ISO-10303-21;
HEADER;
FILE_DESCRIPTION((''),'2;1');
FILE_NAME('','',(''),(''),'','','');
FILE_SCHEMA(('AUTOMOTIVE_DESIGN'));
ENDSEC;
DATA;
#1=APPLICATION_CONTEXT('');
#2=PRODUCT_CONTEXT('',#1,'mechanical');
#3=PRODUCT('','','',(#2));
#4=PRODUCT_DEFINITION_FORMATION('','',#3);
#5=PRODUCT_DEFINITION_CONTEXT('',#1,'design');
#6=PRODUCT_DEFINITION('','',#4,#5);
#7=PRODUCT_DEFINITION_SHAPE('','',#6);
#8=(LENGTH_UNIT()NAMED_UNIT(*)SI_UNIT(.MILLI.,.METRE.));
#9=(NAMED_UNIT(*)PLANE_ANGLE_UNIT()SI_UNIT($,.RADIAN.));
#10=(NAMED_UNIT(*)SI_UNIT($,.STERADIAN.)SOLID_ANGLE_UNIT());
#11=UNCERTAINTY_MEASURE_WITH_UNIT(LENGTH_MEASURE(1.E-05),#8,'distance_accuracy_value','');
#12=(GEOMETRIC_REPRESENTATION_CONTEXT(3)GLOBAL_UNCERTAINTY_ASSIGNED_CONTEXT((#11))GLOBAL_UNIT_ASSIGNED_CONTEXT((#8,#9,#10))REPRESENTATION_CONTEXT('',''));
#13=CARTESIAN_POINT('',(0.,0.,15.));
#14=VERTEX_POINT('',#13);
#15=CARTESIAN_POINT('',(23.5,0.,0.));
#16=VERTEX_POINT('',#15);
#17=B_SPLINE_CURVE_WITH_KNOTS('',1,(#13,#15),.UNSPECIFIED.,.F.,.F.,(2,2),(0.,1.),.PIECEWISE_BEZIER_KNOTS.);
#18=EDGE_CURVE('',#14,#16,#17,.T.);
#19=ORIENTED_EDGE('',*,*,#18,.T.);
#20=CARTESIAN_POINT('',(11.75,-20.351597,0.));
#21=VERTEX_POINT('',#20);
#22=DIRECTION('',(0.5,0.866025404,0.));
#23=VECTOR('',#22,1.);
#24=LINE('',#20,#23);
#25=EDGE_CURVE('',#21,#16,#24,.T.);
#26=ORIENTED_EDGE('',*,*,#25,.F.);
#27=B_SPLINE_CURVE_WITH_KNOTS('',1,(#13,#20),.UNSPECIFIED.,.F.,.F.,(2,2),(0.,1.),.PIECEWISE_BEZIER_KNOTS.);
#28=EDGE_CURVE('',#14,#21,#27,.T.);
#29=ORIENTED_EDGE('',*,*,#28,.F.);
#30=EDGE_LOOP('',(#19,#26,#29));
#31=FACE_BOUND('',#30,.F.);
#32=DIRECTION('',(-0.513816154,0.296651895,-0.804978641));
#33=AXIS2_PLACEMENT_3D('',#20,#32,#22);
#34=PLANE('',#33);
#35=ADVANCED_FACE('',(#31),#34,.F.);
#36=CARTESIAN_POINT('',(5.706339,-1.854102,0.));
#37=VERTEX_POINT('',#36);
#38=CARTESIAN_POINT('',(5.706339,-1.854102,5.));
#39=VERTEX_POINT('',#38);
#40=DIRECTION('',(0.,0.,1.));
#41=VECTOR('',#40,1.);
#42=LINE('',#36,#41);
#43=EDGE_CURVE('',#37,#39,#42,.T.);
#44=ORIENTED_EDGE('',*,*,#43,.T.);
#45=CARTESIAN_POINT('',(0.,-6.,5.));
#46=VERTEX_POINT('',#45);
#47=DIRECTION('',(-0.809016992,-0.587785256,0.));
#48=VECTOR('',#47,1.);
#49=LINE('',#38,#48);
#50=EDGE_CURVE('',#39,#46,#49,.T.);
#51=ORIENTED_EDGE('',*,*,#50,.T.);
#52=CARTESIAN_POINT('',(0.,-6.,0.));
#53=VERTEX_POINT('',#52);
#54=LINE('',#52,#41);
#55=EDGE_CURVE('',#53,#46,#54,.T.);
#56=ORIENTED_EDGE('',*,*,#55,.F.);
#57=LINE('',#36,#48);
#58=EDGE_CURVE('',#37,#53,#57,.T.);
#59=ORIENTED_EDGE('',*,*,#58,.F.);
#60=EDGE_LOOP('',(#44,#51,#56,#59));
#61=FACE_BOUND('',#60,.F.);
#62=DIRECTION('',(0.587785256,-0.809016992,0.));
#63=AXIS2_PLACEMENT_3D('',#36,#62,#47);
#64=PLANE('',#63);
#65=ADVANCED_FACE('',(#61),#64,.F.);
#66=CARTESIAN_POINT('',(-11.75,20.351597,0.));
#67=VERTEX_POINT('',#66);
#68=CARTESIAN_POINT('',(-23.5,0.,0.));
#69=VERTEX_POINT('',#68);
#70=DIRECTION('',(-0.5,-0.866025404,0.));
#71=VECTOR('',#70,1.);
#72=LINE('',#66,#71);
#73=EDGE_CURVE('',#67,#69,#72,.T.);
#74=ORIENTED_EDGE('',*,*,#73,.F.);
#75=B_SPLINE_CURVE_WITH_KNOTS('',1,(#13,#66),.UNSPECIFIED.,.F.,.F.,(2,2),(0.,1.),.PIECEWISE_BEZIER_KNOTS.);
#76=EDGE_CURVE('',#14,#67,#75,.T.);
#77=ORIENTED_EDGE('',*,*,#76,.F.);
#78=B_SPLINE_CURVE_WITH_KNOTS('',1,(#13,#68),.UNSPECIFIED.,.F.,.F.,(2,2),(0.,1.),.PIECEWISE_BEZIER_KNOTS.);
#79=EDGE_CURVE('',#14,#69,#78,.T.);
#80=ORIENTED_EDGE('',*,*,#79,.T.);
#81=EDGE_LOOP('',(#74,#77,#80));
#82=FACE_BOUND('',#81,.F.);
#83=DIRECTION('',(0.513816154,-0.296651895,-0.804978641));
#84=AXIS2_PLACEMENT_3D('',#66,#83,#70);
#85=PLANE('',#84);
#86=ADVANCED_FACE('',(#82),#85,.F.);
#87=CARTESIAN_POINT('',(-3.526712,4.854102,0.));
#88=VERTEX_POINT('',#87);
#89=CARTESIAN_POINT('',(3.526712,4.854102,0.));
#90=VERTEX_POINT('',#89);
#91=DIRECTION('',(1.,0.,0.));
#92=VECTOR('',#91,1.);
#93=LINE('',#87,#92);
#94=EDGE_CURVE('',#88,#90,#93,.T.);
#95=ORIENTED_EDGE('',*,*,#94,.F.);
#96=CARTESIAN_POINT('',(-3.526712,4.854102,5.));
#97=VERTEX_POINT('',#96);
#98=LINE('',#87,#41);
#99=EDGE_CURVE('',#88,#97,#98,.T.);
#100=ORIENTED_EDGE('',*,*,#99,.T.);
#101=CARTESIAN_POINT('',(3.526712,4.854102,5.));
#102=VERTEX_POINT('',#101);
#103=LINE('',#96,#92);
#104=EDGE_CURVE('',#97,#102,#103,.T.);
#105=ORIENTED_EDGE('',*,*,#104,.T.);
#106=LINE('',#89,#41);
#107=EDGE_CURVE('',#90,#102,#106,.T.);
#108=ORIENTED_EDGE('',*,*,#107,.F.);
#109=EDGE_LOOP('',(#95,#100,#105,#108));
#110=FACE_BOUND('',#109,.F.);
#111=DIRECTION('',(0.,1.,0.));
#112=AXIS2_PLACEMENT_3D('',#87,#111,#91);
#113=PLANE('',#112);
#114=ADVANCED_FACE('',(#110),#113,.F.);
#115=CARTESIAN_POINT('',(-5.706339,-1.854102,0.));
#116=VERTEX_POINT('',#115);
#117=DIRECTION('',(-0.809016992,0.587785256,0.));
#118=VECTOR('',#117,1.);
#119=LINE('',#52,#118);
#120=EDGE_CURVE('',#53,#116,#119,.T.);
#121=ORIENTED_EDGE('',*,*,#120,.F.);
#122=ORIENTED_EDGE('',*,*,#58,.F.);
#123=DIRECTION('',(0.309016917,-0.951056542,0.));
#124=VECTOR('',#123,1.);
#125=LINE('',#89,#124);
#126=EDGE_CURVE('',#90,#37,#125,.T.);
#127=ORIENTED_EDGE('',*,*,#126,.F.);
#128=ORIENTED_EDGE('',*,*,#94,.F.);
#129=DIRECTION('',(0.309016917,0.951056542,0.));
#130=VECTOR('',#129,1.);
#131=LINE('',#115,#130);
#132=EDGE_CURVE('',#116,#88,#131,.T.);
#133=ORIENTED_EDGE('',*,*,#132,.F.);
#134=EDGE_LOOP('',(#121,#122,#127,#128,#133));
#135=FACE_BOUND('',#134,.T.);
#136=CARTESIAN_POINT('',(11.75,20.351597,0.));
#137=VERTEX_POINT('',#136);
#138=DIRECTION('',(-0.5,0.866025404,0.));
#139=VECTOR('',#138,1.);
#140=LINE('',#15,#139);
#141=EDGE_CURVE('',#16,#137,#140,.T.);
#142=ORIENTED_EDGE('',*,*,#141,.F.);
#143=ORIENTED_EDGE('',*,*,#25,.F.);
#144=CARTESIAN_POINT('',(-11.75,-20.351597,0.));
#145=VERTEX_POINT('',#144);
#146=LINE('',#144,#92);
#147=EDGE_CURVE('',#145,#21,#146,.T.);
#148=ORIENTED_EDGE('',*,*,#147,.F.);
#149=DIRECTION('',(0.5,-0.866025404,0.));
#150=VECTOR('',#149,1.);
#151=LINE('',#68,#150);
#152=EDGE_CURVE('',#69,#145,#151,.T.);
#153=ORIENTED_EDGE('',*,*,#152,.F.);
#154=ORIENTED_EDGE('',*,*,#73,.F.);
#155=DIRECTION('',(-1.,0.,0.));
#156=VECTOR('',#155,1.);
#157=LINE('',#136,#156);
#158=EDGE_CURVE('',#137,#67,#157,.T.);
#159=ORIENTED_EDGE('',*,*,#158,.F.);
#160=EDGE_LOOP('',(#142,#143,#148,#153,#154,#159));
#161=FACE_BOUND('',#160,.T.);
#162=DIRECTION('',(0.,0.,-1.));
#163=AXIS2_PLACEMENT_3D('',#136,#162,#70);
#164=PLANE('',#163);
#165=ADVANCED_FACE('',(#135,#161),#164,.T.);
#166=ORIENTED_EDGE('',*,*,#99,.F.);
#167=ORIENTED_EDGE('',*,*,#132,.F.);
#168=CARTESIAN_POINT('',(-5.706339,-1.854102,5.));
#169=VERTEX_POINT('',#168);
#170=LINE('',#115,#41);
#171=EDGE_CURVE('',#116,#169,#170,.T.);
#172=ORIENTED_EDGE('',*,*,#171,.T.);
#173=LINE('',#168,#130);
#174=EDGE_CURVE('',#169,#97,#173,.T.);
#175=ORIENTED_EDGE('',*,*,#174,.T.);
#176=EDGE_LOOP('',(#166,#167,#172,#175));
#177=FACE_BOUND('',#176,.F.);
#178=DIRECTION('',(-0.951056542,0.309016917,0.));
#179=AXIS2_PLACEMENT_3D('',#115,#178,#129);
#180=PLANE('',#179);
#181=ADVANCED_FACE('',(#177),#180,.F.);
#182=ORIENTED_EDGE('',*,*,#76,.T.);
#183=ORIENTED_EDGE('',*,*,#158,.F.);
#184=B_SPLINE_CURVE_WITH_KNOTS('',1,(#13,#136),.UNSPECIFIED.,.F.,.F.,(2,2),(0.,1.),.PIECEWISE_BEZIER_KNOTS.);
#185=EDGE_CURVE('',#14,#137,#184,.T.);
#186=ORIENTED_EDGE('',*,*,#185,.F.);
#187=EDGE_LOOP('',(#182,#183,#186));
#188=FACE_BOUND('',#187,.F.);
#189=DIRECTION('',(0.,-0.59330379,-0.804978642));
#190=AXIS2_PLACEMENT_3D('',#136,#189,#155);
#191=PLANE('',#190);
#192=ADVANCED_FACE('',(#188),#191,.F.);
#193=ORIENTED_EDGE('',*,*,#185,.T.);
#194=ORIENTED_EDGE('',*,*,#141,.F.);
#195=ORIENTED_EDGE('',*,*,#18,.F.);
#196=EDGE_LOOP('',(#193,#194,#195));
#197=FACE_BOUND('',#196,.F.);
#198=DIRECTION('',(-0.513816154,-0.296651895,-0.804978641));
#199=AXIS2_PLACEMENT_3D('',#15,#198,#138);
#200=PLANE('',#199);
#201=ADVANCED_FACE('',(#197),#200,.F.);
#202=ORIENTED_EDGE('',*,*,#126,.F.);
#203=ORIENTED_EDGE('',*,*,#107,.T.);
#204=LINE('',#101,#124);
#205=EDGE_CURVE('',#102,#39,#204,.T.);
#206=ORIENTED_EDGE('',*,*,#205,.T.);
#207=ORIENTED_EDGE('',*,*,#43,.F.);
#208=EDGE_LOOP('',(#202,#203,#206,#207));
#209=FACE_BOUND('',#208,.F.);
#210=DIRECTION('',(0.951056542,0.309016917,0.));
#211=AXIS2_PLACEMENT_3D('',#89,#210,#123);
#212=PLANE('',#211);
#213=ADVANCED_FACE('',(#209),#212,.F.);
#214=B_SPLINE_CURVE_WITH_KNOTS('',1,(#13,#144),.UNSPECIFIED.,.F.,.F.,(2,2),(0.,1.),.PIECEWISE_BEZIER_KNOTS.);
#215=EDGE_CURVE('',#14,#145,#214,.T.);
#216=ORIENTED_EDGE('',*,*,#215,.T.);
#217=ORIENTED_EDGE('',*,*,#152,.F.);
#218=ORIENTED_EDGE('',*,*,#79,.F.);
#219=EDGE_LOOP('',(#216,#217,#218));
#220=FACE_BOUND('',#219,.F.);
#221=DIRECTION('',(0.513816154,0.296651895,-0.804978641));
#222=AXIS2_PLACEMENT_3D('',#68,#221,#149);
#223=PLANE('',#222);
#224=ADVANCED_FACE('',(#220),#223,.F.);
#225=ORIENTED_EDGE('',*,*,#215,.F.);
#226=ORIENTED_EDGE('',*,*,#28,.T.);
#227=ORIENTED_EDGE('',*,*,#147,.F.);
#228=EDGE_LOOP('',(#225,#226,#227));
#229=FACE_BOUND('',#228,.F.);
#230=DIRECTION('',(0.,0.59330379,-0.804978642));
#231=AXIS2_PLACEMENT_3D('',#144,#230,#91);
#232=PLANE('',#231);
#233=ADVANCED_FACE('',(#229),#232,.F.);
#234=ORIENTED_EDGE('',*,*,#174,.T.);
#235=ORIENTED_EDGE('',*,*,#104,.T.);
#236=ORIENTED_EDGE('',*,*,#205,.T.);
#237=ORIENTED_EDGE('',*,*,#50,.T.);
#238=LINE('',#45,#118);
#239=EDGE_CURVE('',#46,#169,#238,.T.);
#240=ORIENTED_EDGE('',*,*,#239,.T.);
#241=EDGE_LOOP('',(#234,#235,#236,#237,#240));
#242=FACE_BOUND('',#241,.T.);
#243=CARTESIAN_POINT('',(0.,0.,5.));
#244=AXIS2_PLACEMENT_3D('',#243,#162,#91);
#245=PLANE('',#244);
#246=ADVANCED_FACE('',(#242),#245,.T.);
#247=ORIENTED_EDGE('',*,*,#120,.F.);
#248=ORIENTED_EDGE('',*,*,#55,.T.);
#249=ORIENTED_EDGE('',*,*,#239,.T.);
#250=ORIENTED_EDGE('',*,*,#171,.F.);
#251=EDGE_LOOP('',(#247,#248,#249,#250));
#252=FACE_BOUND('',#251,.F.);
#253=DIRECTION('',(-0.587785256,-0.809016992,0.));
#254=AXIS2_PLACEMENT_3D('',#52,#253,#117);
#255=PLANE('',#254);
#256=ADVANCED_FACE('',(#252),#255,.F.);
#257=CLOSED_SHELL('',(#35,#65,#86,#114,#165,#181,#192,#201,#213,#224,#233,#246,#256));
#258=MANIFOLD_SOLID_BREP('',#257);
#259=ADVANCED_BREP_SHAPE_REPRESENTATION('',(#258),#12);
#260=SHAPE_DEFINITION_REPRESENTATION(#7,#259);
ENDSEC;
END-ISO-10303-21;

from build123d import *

# Parameters (mm, degrees)
F5_DEPTH = 5


with BuildPart() as f3:
    # F0 (on Top) → F3 section 0
    with BuildSketch(Plane.XY, mode=Mode.PRIVATE) as f3_s0:
        Polygon((11.75, 20.351597), (-11.75, 20.351597), (-23.5, 0), (-11.75, -20.351597), (11.75, -20.351597), (23.5, 0), align=None)
    loft([Vertex(0, 0, 15), f3_s0.sketch])

    # F4 (on face) → F5 (cut)
    with BuildSketch(Plane(origin=(0, 0, 0), x_dir=(1, 0, 0), z_dir=(0, 0, -1))):
        Polygon((-3.526712, -4.854102), (3.526712, -4.854102), (5.706339, 1.854102), (0, 6), (-5.706339, 1.854102), align=None)
    extrude(amount=-F5_DEPTH, mode=Mode.SUBTRACT)


solid = f3.part
